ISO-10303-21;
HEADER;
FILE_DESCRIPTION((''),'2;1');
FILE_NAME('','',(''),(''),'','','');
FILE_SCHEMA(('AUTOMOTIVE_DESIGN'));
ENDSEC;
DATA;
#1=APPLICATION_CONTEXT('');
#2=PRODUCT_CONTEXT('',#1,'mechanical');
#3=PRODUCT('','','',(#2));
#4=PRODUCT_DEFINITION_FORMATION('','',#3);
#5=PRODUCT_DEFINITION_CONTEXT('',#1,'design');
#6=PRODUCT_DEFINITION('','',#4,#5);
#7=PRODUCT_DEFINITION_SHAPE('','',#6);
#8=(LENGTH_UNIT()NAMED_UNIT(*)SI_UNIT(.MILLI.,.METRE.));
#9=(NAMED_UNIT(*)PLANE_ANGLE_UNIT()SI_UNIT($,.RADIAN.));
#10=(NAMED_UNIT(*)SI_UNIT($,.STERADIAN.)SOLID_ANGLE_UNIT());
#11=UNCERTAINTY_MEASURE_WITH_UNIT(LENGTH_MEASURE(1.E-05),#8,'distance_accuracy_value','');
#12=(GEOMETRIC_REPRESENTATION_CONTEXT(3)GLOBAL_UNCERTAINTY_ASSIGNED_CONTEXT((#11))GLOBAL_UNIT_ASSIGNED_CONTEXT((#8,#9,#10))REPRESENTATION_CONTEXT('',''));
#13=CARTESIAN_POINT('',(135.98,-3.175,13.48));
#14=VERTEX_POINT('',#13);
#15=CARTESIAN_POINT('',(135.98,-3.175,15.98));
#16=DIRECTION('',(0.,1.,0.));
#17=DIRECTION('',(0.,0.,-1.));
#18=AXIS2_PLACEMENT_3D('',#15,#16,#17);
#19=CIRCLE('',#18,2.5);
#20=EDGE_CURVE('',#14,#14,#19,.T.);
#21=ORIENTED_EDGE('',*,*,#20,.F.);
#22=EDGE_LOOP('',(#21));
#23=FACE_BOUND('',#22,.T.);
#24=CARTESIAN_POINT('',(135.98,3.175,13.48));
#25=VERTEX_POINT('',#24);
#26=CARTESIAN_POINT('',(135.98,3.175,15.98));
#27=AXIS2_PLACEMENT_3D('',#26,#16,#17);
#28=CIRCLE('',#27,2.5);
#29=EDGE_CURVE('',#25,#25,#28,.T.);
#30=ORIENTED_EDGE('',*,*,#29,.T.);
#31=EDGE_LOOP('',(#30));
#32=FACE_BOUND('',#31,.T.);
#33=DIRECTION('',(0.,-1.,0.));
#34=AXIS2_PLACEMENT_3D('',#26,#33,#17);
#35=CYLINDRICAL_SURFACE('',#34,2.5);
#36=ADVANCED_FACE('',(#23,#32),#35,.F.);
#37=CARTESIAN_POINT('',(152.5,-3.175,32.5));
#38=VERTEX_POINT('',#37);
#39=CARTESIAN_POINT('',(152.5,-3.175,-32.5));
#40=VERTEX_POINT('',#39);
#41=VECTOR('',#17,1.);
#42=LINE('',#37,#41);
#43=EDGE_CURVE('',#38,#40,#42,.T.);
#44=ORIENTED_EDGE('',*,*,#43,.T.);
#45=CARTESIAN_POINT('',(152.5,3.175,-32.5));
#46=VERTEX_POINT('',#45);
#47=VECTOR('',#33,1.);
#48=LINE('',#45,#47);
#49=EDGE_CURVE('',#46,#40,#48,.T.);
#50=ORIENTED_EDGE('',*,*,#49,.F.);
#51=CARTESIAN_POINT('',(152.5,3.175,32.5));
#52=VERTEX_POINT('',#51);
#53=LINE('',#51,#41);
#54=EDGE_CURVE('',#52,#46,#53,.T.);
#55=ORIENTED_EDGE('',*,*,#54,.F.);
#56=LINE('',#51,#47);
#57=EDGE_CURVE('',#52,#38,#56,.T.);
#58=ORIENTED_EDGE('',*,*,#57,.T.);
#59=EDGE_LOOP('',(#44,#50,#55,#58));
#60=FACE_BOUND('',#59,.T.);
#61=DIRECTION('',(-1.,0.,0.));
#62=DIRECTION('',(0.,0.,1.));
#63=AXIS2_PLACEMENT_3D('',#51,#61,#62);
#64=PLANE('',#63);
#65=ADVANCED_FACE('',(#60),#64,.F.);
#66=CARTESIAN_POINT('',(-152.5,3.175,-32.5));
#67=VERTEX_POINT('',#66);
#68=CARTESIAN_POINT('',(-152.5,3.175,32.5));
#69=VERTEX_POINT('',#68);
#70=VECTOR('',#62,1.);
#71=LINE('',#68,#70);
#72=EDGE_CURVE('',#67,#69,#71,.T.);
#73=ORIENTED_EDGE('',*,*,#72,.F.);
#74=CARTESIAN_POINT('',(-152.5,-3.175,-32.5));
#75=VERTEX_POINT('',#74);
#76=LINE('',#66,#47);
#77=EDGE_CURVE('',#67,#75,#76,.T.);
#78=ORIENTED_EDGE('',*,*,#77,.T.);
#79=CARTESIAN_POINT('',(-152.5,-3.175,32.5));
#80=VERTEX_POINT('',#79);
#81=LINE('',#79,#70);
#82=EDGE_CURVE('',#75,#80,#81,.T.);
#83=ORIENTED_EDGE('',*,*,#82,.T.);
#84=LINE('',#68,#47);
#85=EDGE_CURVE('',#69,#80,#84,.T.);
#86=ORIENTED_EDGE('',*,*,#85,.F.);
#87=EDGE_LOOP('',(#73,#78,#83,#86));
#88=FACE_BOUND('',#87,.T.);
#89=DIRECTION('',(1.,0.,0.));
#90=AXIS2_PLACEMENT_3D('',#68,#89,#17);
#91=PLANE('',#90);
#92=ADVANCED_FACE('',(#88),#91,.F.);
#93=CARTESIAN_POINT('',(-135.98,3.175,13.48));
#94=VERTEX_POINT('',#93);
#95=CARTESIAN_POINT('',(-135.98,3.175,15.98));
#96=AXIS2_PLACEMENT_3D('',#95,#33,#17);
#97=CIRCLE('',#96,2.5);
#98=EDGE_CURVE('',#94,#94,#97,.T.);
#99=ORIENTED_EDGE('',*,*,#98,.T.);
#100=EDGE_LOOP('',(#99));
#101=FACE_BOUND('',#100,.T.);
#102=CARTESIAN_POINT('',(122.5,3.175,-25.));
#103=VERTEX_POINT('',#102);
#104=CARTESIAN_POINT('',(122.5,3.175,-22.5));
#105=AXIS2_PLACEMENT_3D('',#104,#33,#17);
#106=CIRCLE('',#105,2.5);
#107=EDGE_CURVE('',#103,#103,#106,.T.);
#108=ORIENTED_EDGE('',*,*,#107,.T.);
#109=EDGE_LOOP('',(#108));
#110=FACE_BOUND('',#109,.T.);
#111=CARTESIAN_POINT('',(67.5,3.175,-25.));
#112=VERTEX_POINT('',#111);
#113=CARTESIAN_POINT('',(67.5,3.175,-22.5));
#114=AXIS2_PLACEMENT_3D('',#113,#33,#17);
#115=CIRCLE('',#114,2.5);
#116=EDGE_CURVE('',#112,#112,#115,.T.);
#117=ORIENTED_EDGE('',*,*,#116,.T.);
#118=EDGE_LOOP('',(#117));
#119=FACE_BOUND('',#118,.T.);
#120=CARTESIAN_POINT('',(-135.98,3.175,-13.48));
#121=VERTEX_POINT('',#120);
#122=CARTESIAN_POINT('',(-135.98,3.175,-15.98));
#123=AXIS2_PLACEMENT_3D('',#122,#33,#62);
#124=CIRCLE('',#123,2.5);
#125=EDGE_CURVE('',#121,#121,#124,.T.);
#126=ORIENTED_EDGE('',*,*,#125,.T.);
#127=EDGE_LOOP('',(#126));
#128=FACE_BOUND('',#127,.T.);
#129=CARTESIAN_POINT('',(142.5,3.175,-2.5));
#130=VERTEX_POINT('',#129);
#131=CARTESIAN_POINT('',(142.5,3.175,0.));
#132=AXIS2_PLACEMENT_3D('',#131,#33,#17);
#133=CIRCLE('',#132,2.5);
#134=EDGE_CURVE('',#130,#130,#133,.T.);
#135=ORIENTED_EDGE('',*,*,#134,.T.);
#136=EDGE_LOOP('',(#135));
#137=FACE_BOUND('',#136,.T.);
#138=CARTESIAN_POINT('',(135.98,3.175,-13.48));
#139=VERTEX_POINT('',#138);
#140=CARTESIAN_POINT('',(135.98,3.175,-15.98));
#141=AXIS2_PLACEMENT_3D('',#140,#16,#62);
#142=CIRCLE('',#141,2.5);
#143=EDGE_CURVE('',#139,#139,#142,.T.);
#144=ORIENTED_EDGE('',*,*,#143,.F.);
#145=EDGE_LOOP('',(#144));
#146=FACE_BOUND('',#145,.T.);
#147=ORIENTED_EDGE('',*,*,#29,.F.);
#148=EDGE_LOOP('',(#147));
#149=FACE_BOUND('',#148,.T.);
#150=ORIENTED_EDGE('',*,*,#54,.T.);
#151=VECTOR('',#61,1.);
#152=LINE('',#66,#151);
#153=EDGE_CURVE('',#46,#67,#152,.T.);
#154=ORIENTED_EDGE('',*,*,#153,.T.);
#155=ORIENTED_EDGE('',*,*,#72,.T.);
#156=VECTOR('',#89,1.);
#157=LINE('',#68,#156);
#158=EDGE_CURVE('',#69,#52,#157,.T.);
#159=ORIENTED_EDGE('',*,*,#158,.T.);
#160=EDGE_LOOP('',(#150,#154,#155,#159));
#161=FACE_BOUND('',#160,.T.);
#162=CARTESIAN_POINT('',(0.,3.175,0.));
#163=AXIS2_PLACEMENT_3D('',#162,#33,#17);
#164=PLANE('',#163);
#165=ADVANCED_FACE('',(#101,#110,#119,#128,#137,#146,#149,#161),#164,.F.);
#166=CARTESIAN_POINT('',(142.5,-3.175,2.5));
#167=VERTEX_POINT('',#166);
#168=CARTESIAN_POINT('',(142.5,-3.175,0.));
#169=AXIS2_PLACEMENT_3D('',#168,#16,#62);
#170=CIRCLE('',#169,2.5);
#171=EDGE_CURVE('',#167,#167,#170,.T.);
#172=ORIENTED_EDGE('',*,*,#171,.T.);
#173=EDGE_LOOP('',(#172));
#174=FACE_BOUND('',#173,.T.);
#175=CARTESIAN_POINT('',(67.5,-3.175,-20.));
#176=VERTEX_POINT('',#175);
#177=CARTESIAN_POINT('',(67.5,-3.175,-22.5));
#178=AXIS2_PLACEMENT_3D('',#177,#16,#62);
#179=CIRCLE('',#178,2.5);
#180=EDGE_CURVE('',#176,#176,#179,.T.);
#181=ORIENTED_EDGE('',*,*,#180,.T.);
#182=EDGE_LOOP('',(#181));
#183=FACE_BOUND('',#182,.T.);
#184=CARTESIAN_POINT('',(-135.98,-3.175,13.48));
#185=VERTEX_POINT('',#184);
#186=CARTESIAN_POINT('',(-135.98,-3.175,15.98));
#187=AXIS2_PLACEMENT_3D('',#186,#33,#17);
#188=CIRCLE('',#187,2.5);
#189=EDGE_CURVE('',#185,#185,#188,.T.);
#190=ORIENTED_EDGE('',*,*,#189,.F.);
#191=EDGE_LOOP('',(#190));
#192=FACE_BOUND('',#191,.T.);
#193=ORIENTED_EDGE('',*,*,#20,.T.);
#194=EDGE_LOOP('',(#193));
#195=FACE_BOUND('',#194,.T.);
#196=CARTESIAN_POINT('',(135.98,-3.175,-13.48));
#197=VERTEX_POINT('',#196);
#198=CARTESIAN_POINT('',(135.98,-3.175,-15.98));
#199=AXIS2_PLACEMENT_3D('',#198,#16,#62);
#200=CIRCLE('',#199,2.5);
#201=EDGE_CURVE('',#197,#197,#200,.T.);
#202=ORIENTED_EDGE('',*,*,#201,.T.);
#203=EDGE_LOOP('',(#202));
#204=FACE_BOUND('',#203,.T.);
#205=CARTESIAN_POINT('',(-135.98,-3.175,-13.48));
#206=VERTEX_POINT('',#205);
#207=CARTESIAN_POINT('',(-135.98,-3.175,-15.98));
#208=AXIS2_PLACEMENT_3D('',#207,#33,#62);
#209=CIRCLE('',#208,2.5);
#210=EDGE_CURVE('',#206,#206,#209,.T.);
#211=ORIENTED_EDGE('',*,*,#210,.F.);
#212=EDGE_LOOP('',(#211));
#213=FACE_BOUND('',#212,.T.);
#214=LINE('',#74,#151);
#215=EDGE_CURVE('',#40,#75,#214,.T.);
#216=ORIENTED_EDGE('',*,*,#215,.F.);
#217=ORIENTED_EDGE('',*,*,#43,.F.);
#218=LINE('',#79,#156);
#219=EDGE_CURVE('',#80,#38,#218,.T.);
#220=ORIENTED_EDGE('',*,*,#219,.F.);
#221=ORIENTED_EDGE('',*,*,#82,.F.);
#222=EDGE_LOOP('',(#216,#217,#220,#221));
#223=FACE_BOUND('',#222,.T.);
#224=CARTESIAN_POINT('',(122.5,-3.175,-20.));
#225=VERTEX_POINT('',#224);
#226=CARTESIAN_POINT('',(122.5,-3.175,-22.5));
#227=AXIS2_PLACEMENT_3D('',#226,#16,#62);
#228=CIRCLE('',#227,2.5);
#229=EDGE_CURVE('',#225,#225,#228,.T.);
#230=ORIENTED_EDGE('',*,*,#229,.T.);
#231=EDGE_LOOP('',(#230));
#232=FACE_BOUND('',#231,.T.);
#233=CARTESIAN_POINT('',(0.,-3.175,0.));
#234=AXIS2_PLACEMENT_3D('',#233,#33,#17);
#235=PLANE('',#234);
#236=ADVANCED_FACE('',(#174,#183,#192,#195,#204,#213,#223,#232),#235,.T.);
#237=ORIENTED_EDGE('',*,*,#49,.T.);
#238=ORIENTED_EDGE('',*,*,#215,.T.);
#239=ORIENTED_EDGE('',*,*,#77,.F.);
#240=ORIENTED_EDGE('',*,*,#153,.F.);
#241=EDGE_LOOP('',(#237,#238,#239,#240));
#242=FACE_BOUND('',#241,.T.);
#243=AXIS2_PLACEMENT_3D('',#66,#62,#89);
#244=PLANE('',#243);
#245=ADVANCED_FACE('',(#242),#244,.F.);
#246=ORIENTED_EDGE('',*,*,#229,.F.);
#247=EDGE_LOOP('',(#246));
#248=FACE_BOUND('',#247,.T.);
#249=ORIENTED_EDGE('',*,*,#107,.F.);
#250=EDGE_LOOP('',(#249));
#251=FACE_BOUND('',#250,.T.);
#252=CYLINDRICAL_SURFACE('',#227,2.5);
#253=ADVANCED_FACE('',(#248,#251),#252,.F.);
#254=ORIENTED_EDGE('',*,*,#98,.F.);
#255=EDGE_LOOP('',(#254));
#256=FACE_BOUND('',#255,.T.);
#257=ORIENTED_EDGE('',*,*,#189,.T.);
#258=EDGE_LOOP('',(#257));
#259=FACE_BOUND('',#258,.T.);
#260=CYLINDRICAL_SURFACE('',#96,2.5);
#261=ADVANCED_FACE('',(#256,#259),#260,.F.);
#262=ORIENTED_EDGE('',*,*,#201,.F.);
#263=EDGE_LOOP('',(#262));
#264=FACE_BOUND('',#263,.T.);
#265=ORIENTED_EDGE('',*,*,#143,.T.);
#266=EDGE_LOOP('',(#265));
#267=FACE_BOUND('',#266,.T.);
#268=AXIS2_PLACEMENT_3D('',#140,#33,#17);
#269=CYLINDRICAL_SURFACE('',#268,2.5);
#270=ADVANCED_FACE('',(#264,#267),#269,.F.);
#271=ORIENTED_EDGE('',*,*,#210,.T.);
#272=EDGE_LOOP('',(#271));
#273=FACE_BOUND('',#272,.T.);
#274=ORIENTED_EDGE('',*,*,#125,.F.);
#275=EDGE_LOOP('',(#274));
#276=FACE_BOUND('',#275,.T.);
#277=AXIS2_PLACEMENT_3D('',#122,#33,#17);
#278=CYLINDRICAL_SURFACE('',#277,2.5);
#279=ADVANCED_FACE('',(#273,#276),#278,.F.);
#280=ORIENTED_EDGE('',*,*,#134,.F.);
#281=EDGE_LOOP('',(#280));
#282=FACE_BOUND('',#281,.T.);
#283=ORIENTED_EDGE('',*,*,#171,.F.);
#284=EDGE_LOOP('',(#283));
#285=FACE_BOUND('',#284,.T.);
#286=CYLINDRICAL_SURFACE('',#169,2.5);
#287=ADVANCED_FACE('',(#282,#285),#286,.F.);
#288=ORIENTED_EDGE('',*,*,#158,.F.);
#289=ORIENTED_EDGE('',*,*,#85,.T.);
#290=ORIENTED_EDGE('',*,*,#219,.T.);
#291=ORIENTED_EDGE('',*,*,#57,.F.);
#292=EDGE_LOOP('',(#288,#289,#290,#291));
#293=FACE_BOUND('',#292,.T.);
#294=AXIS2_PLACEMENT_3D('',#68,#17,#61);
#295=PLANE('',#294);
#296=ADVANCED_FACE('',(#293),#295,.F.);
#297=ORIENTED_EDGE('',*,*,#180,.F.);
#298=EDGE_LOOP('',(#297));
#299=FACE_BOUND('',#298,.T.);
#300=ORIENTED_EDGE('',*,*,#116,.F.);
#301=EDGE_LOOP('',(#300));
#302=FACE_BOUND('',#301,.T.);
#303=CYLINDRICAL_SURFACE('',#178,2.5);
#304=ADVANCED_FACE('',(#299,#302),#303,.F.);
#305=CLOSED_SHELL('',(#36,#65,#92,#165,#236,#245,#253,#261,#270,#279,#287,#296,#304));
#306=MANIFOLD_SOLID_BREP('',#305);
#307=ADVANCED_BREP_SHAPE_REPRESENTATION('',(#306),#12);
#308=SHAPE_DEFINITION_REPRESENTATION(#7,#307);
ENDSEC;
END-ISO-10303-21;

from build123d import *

# Parameters (mm, degrees)
SKETCH1_W               = 305
SKETCH1_H               = 65
BOSS_EXTRUDE1_DEPTH     = 3.175
CUT_EXTRUDE2_START      = -3.175
SKETCH4_R               = 2.5
CUT_EXTRUDE2_DEPTH      = 6.35
CUT_EXTRUDE3_DEPTH      = 157.053908955
CUT_EXTRUDE3_DEPTH_BACK = 157.053908955
SKETCH5_R               = 2.5


with BuildPart() as part:
    # Sketch1 → Boss-Extrude1 (new, symmetric)
    with BuildSketch(Plane(origin=(0, 0, 0), x_dir=(1, 0, 0), z_dir=(0, 1, 0))):
        Rectangle(SKETCH1_W, SKETCH1_H)
    extrude(amount=BOSS_EXTRUDE1_DEPTH, both=True)

    # Sketch4 → Cut-Extrude2 (cut)
    with BuildSketch(Plane(origin=(-2.5, 0, 0), x_dir=(-1, 0, 0), z_dir=(0, -1, 0)).offset(CUT_EXTRUDE2_START)):
        with Locations(Location((133.48, -15.98, 0), (0, 0, 90))):
            Circle(SKETCH4_R)
        with Locations(Location((133.48, 15.98, 0), (0, 0, 270))):
            Circle(SKETCH4_R)
    cut_extrude2 = extrude(amount=CUT_EXTRUDE2_DEPTH, mode=Mode.SUBTRACT)

    # Mirror2: Cut-Extrude2 across plane
    add(cut_extrude2.mirror(Plane(origin=(0, 0, 0), x_dir=(0, 0, 1), z_dir=(1, 0, 0))), mode=Mode.SUBTRACT)

    # Sketch5 → Cut-Extrude3 (cut, two sides: drawn at the far end of the back side and taken through both)
    with BuildSketch(Plane(origin=(0, 3.175, 0), x_dir=(1, 0, 0), z_dir=(0, 1, 0)).offset(-CUT_EXTRUDE3_DEPTH_BACK)):
        with Locations(Location((122.5, 22.5, 0), (0, 0, 270))):
            Circle(SKETCH5_R)
        with Locations(Location((67.5, 22.5, 0), (0, 0, 270))):
            Circle(SKETCH5_R)
        with Locations(Location((142.5, 0, 0), (0, 0, 270))):
            Circle(SKETCH5_R)
    extrude(amount=CUT_EXTRUDE3_DEPTH + CUT_EXTRUDE3_DEPTH_BACK, mode=Mode.SUBTRACT)


solid = part.part
